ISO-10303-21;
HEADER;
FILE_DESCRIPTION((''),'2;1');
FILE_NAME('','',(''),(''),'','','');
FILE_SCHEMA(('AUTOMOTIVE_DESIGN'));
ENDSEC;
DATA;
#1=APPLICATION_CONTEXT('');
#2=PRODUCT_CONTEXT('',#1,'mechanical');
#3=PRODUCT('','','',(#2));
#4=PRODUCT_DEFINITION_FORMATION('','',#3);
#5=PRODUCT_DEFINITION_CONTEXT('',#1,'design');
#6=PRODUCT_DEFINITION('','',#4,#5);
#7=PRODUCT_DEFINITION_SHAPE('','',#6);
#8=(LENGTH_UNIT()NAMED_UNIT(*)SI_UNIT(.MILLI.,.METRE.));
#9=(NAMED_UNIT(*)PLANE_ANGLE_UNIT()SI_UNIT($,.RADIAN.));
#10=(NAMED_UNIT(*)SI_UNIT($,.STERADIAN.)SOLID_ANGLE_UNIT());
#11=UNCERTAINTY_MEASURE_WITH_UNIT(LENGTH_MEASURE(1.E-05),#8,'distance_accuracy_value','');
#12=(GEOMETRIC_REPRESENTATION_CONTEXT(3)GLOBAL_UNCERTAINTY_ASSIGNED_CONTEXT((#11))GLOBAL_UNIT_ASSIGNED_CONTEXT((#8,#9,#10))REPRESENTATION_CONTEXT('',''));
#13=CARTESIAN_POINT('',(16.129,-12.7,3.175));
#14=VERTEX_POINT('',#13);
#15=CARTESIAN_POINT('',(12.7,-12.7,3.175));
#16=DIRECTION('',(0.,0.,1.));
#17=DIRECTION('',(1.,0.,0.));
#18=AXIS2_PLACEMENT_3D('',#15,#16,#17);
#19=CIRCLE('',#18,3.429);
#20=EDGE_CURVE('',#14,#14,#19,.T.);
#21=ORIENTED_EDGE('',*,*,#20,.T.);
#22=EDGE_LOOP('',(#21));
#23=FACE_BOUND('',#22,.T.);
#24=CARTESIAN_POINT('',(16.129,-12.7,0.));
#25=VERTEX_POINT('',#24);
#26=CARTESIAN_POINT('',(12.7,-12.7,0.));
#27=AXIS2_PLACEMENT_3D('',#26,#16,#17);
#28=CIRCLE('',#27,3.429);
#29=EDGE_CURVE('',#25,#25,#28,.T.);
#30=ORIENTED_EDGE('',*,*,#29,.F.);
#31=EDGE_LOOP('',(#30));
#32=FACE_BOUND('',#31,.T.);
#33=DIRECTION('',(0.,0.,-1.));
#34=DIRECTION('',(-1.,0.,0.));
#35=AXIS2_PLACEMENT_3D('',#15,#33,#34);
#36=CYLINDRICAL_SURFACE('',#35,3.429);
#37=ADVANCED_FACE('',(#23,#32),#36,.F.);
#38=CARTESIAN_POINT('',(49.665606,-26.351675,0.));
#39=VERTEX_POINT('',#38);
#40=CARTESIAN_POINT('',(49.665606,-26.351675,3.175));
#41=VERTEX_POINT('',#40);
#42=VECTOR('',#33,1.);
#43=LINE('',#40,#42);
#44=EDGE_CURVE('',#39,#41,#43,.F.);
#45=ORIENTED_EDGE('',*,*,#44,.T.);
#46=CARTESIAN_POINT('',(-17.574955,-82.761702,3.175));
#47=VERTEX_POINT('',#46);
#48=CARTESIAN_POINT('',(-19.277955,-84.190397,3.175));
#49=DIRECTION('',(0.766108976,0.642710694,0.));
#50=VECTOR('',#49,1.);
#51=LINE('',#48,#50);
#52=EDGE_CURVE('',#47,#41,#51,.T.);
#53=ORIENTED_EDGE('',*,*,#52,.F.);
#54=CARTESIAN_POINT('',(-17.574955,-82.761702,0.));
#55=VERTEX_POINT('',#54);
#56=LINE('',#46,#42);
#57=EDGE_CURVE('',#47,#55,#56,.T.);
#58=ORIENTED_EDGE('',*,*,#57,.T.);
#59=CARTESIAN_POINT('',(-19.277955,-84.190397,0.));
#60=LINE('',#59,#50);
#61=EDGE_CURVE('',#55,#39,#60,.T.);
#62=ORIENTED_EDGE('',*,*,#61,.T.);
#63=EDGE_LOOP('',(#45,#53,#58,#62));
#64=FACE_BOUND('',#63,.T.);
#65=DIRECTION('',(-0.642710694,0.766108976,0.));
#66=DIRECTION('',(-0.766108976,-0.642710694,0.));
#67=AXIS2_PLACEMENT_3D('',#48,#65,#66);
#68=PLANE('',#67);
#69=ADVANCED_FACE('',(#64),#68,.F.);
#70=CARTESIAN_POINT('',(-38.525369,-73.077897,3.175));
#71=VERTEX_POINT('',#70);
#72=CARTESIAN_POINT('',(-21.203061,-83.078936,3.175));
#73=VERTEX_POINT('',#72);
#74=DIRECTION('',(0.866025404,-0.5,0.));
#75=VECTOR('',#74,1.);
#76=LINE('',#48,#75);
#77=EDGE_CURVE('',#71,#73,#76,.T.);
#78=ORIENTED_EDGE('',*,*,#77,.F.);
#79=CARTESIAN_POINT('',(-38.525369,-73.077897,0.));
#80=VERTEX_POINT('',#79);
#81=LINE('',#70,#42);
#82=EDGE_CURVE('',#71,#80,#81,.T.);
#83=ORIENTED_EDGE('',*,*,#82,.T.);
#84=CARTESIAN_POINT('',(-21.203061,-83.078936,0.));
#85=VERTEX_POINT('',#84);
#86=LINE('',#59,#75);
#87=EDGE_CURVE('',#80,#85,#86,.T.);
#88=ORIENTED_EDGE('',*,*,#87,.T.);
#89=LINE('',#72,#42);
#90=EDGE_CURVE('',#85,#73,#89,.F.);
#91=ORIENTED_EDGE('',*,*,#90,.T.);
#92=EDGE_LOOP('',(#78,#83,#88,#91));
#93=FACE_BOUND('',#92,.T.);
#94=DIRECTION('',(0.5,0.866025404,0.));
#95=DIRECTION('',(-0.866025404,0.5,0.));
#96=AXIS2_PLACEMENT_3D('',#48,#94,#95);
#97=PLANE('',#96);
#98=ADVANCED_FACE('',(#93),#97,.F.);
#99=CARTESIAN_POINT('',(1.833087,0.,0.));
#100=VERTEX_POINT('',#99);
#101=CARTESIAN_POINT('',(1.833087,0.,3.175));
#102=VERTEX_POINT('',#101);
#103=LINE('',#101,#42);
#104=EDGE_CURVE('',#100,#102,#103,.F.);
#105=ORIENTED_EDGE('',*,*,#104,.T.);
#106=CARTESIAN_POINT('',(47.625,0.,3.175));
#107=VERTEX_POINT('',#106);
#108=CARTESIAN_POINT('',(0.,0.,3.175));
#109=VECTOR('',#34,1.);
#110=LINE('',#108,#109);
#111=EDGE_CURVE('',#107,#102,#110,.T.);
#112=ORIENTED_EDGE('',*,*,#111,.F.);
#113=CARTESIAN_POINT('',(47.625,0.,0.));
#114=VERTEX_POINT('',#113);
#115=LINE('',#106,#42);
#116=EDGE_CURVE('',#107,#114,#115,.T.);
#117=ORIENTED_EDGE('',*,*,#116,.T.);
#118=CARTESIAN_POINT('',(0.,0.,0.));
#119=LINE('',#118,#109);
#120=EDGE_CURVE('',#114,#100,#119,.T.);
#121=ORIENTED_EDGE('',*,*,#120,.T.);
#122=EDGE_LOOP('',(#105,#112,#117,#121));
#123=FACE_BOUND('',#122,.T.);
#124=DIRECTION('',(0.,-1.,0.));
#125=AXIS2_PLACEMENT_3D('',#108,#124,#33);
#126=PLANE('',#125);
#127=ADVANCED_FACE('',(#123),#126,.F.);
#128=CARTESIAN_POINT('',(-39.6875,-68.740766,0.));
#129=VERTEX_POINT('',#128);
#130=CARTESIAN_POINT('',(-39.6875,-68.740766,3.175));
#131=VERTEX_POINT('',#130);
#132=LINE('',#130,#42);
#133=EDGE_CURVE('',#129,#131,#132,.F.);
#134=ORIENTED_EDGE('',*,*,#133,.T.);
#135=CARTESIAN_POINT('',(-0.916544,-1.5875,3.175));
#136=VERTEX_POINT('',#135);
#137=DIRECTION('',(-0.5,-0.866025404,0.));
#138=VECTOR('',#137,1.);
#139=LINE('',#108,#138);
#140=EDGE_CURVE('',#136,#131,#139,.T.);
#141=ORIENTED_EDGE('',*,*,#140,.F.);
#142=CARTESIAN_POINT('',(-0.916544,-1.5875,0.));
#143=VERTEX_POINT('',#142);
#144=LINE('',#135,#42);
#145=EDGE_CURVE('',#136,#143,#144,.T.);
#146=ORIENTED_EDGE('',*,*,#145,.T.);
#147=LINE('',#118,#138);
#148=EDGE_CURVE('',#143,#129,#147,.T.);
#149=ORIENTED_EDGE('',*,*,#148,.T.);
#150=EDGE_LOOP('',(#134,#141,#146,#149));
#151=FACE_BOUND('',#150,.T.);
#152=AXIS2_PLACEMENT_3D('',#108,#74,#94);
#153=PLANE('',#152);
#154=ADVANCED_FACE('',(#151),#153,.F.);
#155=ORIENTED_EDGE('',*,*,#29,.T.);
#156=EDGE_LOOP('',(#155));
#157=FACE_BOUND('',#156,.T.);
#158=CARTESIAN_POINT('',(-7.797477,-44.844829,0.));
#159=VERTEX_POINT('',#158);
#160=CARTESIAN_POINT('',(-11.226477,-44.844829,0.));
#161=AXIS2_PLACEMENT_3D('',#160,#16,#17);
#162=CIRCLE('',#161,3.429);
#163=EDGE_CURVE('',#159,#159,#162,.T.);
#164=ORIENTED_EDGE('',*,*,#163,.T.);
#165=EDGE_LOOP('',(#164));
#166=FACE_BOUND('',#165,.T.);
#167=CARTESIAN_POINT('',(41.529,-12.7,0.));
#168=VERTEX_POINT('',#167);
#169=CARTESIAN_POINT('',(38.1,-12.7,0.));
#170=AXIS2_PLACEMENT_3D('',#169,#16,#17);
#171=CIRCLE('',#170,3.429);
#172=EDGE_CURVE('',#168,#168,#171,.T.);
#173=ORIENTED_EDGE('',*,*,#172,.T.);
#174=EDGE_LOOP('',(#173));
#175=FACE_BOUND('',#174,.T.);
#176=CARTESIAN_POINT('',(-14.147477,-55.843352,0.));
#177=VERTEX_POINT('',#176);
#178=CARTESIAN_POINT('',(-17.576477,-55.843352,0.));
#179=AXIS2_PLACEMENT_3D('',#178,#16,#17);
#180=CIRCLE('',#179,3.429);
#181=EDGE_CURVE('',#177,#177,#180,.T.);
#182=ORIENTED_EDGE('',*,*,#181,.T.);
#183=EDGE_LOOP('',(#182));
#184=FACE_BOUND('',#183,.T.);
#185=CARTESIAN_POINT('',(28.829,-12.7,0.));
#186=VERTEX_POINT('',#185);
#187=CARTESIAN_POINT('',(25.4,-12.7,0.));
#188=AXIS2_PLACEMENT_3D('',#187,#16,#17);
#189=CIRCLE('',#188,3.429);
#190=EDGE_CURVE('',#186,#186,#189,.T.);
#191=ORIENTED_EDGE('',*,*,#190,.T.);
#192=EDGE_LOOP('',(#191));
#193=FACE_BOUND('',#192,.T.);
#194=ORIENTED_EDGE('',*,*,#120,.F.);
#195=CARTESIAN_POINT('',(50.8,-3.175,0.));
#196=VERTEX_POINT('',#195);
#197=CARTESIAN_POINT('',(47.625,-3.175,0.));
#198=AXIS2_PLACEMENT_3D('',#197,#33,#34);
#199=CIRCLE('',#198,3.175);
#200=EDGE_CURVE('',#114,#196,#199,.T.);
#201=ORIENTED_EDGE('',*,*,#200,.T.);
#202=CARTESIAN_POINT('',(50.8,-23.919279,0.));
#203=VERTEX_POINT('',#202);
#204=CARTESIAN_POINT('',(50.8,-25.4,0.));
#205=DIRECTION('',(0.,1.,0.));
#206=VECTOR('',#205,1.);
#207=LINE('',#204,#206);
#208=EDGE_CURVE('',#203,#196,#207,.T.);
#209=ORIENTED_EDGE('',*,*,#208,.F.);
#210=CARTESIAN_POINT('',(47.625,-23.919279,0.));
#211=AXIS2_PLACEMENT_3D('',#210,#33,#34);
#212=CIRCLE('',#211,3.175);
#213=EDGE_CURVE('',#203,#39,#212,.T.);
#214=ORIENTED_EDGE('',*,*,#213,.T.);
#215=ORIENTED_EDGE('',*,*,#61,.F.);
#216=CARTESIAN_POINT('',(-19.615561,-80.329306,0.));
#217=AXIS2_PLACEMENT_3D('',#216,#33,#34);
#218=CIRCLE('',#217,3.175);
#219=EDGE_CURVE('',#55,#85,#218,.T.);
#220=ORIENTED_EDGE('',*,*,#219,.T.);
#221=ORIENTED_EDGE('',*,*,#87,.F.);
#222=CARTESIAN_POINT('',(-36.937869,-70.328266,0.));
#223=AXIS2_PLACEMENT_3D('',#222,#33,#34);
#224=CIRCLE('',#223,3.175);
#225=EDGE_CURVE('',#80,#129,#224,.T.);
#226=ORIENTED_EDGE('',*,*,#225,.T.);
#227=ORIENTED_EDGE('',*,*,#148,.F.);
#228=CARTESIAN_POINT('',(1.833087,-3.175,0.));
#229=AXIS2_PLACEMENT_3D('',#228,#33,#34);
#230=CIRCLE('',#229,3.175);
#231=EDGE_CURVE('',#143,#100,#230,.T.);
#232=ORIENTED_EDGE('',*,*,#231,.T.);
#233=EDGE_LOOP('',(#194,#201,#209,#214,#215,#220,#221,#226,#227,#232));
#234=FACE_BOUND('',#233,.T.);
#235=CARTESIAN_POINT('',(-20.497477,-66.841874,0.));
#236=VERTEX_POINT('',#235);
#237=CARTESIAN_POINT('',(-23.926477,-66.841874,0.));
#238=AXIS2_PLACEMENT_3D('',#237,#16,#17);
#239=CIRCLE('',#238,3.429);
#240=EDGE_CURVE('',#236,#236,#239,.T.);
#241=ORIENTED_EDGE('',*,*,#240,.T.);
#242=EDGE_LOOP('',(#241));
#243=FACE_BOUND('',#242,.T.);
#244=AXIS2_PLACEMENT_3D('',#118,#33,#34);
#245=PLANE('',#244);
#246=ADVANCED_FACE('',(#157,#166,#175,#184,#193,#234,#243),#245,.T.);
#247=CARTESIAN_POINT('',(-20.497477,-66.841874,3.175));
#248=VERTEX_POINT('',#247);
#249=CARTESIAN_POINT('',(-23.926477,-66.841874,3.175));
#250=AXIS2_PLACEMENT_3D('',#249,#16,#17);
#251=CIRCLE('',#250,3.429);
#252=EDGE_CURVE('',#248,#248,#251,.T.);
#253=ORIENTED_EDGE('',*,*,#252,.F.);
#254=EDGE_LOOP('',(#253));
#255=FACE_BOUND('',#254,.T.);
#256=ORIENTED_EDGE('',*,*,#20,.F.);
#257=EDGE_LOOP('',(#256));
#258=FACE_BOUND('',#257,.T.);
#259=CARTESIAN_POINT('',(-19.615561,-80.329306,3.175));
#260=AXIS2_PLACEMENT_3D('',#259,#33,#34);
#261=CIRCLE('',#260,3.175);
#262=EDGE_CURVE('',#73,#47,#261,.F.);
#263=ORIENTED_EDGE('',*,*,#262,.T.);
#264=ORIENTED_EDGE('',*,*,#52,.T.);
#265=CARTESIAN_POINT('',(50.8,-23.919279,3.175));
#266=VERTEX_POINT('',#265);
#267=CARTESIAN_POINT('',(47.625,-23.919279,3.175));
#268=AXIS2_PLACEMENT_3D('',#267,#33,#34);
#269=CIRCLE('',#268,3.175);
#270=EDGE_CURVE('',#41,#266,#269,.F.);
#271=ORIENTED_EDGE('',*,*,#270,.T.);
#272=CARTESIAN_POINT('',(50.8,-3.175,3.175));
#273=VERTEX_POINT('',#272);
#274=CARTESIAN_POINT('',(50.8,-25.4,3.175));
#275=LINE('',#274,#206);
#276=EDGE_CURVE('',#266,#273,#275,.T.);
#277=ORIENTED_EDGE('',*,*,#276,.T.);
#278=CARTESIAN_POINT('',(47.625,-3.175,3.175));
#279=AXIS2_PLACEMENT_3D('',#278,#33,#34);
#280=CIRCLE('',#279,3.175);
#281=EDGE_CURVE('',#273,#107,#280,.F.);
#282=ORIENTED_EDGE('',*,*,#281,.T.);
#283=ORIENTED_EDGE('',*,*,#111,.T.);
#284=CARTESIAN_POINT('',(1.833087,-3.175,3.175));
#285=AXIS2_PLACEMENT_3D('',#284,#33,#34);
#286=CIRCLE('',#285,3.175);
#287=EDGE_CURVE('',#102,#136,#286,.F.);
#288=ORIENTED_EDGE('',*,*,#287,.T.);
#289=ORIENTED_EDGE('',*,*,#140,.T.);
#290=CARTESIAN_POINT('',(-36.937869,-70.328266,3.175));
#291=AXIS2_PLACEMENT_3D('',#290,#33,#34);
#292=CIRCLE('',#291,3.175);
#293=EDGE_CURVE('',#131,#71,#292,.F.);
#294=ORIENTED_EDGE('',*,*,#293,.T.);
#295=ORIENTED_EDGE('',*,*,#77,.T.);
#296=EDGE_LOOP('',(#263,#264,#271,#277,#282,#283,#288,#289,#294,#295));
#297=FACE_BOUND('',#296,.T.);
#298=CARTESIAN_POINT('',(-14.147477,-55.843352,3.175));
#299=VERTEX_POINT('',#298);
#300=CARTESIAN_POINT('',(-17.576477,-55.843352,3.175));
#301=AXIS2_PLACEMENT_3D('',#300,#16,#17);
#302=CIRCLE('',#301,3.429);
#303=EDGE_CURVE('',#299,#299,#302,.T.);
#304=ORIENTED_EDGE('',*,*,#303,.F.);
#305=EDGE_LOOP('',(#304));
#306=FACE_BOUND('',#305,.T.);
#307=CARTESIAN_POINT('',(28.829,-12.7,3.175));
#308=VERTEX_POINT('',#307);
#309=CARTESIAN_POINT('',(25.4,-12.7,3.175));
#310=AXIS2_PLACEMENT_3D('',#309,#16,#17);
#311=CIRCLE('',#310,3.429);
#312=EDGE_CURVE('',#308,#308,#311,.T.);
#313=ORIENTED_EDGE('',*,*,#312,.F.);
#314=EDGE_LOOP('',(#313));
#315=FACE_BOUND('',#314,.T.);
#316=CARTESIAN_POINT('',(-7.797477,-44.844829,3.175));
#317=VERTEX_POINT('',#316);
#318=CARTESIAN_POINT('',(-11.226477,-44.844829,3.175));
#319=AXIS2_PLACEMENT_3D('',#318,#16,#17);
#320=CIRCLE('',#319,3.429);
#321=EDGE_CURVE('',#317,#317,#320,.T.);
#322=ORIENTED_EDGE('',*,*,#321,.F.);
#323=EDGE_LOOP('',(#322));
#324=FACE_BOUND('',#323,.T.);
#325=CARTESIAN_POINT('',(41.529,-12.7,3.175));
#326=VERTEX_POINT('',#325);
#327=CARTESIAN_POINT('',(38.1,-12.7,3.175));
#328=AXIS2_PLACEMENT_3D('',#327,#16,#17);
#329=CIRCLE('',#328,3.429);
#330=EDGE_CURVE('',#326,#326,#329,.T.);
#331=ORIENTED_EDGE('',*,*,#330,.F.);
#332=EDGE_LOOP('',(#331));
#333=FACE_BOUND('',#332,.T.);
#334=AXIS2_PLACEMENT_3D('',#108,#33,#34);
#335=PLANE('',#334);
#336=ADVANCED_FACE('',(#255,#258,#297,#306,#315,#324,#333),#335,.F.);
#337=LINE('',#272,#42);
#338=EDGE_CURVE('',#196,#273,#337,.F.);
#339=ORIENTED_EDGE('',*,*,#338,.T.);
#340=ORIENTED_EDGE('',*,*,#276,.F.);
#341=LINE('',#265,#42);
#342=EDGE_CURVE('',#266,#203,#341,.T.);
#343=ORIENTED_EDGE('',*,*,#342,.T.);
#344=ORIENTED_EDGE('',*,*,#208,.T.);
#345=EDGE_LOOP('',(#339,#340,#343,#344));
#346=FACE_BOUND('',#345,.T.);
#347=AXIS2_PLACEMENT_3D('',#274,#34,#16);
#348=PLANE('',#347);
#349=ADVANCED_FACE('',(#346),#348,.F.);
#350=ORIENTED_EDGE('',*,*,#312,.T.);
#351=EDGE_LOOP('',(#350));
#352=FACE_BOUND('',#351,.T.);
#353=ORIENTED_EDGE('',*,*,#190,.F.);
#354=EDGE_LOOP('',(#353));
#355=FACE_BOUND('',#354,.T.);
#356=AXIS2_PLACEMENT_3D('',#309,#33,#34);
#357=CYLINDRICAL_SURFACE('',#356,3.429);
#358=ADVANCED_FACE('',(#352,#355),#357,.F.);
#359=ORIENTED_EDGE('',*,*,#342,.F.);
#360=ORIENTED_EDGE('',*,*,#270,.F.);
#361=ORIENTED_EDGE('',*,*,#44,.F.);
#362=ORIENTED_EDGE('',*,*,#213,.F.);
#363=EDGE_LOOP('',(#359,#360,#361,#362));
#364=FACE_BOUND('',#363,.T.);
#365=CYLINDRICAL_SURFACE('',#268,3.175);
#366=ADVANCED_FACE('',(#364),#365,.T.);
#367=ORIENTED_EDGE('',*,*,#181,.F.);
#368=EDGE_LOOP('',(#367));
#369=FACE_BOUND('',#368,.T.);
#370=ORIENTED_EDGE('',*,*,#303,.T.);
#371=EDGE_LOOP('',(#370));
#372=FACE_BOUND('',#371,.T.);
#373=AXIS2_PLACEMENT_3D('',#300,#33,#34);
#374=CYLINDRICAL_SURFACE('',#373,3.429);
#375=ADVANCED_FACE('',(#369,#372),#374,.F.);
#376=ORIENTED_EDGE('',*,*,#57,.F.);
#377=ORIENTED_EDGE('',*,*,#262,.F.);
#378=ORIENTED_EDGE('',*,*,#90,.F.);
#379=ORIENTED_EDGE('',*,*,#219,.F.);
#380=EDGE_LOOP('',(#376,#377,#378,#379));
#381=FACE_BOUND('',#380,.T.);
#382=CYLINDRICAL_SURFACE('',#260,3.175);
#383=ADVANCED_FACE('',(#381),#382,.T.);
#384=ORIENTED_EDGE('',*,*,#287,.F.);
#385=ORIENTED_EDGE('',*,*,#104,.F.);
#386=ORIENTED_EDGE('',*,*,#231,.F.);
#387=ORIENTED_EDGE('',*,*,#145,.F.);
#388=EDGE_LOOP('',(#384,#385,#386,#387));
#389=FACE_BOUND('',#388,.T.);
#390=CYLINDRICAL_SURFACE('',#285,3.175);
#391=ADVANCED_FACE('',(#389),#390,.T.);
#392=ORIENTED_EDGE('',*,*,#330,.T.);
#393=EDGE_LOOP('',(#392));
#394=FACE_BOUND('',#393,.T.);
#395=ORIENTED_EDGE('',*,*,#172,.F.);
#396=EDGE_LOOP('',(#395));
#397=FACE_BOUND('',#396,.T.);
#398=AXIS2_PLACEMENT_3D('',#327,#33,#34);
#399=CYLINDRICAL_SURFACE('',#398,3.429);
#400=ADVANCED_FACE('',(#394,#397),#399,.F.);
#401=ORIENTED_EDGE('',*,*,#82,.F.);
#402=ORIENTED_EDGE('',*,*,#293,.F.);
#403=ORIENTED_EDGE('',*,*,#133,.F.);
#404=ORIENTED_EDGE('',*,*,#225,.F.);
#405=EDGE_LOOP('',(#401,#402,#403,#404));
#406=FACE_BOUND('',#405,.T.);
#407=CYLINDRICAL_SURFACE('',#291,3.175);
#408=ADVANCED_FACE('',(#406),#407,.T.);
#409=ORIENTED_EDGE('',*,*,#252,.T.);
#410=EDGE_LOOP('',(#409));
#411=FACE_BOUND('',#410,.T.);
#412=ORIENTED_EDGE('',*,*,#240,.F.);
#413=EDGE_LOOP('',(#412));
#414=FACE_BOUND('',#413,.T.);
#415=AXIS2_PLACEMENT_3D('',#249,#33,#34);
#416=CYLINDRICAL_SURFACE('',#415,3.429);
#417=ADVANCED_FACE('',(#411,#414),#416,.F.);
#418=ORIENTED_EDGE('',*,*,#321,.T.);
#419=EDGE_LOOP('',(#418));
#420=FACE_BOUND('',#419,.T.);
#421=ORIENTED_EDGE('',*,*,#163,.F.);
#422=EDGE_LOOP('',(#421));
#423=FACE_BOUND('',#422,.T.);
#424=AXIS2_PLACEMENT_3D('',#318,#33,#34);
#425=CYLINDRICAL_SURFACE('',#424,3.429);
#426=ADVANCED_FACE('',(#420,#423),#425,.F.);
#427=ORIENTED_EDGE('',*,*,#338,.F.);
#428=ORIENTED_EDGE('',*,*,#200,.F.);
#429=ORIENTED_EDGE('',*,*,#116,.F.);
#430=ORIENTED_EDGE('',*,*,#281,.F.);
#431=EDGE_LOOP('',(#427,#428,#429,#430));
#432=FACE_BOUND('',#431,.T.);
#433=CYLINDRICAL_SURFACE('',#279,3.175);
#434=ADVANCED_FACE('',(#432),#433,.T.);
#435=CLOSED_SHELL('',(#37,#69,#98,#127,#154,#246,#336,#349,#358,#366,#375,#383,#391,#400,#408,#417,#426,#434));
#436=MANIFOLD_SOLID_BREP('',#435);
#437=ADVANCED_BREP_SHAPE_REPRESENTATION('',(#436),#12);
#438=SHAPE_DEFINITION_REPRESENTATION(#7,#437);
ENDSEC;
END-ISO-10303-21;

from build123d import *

# Parameters (mm, degrees)
SKETCH1_R           = 3.429
BOSS_EXTRUDE1_DEPTH = 3.175
FILLET1_R           = 3.175


with BuildPart() as part:
    # Sketch1 → Boss-Extrude1 (new body)
    with BuildSketch(Plane.XY):
        Polygon((0, 0), (50.8, 0), (50.8, -25.4), (-19.277954744, -84.190397082), (-41.275, -71.490397082), align=None)
        with Locations((38.1, -12.7)):
            Circle(SKETCH1_R, mode=Mode.SUBTRACT)
        with Locations((25.4, -12.7)):
            Circle(SKETCH1_R, mode=Mode.SUBTRACT)
        with Locations((12.7, -12.7)):
            Circle(SKETCH1_R, mode=Mode.SUBTRACT)
        with Locations((-23.926477372, -66.841874454)):
            Circle(SKETCH1_R, mode=Mode.SUBTRACT)
        with Locations((-17.576477372, -55.843351826)):
            Circle(SKETCH1_R, mode=Mode.SUBTRACT)
        with Locations((-11.226477372, -44.844829198)):
            Circle(SKETCH1_R, mode=Mode.SUBTRACT)
    extrude(amount=BOSS_EXTRUDE1_DEPTH)

    # Fillet1
    fillet1_edges = [part.edges().sort_by_distance(p)[0] for p in [
        (0, 0, 1.5875),
        (50.8, 0, 1.5875),
        (50.8, -25.4, 1.5875),
        (-19.277954744, -84.190397082, 1.5875),
        (-41.275, -71.490397082, 1.5875),
    ]]
    fillet(fillet1_edges, radius=FILLET1_R)


solid = part.part
